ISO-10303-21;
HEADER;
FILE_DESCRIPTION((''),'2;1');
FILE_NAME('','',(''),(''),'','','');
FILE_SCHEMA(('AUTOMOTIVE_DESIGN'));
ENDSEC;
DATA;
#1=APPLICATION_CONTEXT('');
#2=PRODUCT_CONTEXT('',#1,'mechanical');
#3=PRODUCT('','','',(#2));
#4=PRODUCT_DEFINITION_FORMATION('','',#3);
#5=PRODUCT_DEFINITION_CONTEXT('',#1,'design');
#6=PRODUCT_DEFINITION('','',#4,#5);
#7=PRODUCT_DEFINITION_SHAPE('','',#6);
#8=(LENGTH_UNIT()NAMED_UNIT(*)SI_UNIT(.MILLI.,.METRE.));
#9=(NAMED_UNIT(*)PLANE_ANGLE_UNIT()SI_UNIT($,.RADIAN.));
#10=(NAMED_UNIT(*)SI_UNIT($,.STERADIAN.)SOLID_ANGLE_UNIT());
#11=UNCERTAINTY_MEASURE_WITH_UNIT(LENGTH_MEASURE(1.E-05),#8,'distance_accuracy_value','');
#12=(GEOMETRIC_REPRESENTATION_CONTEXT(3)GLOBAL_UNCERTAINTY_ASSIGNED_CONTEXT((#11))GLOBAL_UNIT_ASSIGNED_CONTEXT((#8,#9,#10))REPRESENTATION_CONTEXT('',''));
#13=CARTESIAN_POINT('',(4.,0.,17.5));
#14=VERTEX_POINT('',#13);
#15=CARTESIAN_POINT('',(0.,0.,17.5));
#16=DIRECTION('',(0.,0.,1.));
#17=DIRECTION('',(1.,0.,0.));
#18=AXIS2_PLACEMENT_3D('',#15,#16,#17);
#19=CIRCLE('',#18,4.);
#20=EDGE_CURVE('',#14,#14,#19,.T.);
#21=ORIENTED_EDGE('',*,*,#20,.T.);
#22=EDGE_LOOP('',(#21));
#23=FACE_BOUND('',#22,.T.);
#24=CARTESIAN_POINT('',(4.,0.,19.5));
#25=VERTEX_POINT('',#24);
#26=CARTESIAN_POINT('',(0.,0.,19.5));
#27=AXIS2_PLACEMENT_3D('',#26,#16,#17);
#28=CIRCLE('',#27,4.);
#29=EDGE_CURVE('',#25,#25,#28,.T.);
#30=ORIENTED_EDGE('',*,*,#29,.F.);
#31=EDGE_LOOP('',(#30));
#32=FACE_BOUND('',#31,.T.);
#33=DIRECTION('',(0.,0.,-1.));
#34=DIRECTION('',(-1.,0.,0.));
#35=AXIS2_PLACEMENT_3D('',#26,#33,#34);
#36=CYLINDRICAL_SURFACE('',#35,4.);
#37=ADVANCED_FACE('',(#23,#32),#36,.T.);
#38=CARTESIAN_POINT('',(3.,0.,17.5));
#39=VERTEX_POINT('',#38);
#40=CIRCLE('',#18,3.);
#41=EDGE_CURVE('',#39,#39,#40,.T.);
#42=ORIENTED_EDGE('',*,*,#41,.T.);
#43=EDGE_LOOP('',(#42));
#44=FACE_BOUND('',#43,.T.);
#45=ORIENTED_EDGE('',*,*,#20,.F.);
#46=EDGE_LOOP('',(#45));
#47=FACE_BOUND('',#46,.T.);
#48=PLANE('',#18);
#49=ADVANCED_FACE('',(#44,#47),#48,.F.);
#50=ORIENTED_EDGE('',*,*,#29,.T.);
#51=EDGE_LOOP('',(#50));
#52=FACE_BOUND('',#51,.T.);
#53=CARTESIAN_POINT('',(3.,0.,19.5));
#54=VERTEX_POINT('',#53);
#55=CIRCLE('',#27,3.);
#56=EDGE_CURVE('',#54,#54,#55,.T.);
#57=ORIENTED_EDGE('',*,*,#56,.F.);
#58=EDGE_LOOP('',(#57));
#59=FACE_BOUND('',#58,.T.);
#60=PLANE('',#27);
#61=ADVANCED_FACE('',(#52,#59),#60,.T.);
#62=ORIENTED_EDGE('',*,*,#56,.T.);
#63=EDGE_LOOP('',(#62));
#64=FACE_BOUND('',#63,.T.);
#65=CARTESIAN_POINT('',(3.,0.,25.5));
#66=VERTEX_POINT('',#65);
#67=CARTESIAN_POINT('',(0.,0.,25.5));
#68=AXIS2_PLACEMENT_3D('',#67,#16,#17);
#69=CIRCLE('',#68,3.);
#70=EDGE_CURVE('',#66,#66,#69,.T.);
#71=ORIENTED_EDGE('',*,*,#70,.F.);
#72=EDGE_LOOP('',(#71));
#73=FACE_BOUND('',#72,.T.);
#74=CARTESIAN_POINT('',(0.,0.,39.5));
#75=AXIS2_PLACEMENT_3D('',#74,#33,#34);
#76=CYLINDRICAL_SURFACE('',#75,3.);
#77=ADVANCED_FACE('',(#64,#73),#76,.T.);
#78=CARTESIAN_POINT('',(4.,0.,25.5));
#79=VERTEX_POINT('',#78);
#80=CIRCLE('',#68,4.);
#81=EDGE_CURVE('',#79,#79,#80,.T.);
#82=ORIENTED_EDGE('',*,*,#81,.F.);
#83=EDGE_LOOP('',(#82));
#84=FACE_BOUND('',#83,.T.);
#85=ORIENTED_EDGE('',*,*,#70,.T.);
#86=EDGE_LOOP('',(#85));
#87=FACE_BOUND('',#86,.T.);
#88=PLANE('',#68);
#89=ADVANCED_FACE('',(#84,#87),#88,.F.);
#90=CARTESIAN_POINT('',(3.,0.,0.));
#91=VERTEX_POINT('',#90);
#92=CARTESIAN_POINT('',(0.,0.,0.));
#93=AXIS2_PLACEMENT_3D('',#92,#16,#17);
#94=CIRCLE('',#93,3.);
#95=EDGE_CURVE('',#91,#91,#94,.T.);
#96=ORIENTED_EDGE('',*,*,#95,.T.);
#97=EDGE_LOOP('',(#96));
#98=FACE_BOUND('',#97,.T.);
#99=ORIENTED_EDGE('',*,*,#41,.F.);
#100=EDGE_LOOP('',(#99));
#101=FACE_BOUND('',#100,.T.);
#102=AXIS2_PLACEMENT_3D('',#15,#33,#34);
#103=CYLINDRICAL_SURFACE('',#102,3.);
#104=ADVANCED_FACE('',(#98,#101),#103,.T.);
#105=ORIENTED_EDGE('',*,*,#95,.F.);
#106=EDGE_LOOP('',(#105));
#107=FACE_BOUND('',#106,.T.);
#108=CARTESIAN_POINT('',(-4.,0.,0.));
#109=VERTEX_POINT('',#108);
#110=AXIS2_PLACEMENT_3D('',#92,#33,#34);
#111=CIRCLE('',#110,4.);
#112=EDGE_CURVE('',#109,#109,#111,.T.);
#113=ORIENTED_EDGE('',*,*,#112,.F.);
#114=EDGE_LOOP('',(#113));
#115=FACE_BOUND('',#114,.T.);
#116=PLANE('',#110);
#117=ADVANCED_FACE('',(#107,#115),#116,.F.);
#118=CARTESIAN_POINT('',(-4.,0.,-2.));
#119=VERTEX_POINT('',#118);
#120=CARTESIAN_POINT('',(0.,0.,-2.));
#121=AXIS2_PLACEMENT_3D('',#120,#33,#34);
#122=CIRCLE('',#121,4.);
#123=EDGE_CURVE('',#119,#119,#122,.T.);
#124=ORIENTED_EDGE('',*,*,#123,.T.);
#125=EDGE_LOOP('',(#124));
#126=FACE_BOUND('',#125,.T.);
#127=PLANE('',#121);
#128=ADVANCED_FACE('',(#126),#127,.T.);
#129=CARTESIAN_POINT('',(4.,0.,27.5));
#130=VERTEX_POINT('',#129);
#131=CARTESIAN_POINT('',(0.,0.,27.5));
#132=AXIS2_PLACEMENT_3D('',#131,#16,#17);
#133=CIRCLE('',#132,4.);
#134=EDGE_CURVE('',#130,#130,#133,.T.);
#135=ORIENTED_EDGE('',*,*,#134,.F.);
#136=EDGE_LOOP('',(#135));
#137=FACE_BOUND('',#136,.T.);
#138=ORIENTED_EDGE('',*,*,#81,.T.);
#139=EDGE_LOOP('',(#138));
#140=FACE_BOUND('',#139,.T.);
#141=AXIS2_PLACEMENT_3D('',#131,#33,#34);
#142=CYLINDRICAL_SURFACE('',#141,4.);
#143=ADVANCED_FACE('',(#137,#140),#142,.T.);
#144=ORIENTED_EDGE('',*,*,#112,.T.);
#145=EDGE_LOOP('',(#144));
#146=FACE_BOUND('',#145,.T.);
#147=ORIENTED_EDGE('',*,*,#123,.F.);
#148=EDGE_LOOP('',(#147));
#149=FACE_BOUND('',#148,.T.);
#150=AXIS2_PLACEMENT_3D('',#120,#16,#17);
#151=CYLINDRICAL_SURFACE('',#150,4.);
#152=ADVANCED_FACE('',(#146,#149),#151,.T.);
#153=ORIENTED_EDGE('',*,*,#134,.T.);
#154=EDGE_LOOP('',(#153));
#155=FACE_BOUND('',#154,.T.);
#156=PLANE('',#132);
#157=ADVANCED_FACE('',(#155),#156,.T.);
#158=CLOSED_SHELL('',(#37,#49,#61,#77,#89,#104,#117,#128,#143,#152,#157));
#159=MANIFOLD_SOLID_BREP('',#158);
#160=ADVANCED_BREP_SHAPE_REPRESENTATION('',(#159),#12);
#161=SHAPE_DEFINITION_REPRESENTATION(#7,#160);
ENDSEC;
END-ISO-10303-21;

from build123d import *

# Parameters (mm, degrees)
SKETCH_1_R          = 3
EXTRUDE_1_DEPTH     = 17.5
SKETCH_2_R          = 4
EXTRUDE_2_DEPTH     = 2
EXTRUDE_START       = 2
SKETCH_3_R          = 4
EXTRUDE_3_DEPTH     = 2
SKETCH_4_R          = 3
EXTRUDE_4_DEPTH     = 20
SKETCH_5_R          = 4
EXTRUDE_5_DEPTH     = 2
SKETCH_7_R          = 4
CUT_EXTRUDE_1_DEPTH = 16
SKETCH_8_R          = 4
EXTRUDE_6_DEPTH     = 2


with BuildPart() as part:
    # 草图1 → 凸台-拉伸1 (new body)
    with BuildSketch(Plane.XY):
        Circle(SKETCH_1_R)
    extrude(amount=EXTRUDE_1_DEPTH)

    # 草图2 → 凸台-拉伸2 (add)
    with BuildSketch(Plane(origin=(0, 0, 0), x_dir=(-1, 0, 0), z_dir=(0, 0, -1))):
        Circle(SKETCH_2_R)
    extrude(amount=EXTRUDE_2_DEPTH)

    # 草图3 → 凸台-拉伸3 (add)
    with BuildSketch(Plane.XY.offset(17.5).offset(EXTRUDE_START)):
        with Locations(Location((0, 0, 0), (0, 0, 180))):
            Circle(SKETCH_3_R)
    extrude(amount=-EXTRUDE_3_DEPTH)

    # 草图4 → 凸台-拉伸4 (add)
    with BuildSketch(Plane.XY.offset(19.5)):
        Circle(SKETCH_4_R)
    extrude(amount=EXTRUDE_4_DEPTH)

    # 草图5 → 凸台-拉伸5 (add)
    with BuildSketch(Plane.XY.offset(39.5).offset(EXTRUDE_START)):
        with Locations(Location((0, 0, 0), (0, 0, 180))):
            Circle(SKETCH_5_R)
    extrude(amount=-EXTRUDE_5_DEPTH)

    # 草图7 → 切除-拉伸1 (cut)
    with BuildSketch(Plane.XY.offset(41.5)):
        with Locations(Location((0, 0, 0), (0, 0, 180))):
            Circle(SKETCH_7_R)
    extrude(amount=-CUT_EXTRUDE_1_DEPTH, mode=Mode.SUBTRACT)

    # 草图8 → 凸台-拉伸6 (add)
    with BuildSketch(Plane.XY.offset(25.5).offset(EXTRUDE_START)):
        with Locations(Location((0, 0, 0), (0, 0, 180))):
            Circle(SKETCH_8_R)
    extrude(amount=-EXTRUDE_6_DEPTH)


solid = part.part
